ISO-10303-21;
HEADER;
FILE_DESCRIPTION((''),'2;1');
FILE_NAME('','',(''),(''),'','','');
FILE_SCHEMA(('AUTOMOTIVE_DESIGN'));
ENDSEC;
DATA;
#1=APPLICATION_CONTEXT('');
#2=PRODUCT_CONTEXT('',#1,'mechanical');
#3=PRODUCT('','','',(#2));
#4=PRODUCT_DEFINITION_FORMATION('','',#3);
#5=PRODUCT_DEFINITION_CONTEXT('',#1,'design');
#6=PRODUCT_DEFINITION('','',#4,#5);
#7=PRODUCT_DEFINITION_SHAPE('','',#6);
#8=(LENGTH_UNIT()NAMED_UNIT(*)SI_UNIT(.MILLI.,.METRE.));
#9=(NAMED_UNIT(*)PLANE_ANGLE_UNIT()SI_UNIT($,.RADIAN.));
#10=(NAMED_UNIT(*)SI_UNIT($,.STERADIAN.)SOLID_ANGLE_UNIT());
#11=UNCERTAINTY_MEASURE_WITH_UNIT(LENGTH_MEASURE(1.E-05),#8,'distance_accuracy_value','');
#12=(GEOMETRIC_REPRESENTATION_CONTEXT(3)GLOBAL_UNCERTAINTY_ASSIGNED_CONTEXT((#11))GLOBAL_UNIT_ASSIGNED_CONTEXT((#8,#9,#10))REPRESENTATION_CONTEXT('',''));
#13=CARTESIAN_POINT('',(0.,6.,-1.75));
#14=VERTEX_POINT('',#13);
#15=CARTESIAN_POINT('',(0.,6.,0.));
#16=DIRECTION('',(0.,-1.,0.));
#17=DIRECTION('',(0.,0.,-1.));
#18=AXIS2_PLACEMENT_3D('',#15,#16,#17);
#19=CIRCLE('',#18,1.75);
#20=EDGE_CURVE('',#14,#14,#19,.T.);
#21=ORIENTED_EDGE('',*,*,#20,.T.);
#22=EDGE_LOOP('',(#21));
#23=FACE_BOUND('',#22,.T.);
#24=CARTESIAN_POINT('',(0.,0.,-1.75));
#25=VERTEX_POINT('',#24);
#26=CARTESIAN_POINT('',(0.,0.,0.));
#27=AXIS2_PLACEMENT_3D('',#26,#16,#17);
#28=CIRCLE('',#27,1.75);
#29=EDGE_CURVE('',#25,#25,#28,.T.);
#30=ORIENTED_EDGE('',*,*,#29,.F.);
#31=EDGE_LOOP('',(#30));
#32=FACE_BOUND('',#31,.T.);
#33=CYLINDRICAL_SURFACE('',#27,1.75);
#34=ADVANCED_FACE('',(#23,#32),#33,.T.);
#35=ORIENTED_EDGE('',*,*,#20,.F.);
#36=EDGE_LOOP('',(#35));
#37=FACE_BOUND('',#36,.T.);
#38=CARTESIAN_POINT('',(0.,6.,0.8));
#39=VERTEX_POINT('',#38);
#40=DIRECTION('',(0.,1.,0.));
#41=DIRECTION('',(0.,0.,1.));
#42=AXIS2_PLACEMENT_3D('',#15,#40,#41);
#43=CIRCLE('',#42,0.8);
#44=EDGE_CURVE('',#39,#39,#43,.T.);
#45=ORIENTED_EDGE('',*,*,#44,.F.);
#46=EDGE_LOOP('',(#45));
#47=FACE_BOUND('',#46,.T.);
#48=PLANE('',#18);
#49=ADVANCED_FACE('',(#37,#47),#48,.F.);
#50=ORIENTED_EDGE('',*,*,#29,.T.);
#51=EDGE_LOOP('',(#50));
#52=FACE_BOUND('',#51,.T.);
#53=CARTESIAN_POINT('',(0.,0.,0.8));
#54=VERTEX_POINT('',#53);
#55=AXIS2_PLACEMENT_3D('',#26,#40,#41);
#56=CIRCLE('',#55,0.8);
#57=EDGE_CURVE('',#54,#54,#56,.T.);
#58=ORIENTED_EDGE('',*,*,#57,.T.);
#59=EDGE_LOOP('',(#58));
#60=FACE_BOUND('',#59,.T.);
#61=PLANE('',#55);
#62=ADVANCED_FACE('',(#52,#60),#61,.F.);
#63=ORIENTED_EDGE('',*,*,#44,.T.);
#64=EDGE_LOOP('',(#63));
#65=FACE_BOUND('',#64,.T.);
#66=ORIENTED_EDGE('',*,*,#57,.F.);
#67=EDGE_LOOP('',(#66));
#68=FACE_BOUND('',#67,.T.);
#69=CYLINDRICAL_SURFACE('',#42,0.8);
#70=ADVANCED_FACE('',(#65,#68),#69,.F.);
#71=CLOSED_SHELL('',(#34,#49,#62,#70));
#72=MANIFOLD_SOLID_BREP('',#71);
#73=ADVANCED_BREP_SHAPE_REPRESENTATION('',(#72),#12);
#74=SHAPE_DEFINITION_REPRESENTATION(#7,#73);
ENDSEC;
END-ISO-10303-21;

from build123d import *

# Parameters (mm, degrees)
SKETCH1_W             = 1.75
SKETCH1_H             = 6
M2X0_4_TAPPED_HOLE1_D = 1.6


with BuildPart() as part:
    # Sketch1 → Revolve1 (revolve)
    with BuildSketch(Plane.XY, mode=Mode.PRIVATE) as revolve1_sk:
        with Locations((-0.875, 3)):
            Rectangle(SKETCH1_W, SKETCH1_H)
    revolve(revolve1_sk.sketch.rotate(Axis((0, 0, 0), (0, 1, 0)), 270), axis=Axis((0, 0, 0), (0, 1, 0)))

    # M2x0.4 Tapped Hole1 (through all)
    with Locations(Plane(origin=(0, 6, 0), x_dir=(-1, 0, 0), z_dir=(0, 1, 0))):
        with Locations((0, 0)):
            Hole(M2X0_4_TAPPED_HOLE1_D / 2)


solid = part.part
